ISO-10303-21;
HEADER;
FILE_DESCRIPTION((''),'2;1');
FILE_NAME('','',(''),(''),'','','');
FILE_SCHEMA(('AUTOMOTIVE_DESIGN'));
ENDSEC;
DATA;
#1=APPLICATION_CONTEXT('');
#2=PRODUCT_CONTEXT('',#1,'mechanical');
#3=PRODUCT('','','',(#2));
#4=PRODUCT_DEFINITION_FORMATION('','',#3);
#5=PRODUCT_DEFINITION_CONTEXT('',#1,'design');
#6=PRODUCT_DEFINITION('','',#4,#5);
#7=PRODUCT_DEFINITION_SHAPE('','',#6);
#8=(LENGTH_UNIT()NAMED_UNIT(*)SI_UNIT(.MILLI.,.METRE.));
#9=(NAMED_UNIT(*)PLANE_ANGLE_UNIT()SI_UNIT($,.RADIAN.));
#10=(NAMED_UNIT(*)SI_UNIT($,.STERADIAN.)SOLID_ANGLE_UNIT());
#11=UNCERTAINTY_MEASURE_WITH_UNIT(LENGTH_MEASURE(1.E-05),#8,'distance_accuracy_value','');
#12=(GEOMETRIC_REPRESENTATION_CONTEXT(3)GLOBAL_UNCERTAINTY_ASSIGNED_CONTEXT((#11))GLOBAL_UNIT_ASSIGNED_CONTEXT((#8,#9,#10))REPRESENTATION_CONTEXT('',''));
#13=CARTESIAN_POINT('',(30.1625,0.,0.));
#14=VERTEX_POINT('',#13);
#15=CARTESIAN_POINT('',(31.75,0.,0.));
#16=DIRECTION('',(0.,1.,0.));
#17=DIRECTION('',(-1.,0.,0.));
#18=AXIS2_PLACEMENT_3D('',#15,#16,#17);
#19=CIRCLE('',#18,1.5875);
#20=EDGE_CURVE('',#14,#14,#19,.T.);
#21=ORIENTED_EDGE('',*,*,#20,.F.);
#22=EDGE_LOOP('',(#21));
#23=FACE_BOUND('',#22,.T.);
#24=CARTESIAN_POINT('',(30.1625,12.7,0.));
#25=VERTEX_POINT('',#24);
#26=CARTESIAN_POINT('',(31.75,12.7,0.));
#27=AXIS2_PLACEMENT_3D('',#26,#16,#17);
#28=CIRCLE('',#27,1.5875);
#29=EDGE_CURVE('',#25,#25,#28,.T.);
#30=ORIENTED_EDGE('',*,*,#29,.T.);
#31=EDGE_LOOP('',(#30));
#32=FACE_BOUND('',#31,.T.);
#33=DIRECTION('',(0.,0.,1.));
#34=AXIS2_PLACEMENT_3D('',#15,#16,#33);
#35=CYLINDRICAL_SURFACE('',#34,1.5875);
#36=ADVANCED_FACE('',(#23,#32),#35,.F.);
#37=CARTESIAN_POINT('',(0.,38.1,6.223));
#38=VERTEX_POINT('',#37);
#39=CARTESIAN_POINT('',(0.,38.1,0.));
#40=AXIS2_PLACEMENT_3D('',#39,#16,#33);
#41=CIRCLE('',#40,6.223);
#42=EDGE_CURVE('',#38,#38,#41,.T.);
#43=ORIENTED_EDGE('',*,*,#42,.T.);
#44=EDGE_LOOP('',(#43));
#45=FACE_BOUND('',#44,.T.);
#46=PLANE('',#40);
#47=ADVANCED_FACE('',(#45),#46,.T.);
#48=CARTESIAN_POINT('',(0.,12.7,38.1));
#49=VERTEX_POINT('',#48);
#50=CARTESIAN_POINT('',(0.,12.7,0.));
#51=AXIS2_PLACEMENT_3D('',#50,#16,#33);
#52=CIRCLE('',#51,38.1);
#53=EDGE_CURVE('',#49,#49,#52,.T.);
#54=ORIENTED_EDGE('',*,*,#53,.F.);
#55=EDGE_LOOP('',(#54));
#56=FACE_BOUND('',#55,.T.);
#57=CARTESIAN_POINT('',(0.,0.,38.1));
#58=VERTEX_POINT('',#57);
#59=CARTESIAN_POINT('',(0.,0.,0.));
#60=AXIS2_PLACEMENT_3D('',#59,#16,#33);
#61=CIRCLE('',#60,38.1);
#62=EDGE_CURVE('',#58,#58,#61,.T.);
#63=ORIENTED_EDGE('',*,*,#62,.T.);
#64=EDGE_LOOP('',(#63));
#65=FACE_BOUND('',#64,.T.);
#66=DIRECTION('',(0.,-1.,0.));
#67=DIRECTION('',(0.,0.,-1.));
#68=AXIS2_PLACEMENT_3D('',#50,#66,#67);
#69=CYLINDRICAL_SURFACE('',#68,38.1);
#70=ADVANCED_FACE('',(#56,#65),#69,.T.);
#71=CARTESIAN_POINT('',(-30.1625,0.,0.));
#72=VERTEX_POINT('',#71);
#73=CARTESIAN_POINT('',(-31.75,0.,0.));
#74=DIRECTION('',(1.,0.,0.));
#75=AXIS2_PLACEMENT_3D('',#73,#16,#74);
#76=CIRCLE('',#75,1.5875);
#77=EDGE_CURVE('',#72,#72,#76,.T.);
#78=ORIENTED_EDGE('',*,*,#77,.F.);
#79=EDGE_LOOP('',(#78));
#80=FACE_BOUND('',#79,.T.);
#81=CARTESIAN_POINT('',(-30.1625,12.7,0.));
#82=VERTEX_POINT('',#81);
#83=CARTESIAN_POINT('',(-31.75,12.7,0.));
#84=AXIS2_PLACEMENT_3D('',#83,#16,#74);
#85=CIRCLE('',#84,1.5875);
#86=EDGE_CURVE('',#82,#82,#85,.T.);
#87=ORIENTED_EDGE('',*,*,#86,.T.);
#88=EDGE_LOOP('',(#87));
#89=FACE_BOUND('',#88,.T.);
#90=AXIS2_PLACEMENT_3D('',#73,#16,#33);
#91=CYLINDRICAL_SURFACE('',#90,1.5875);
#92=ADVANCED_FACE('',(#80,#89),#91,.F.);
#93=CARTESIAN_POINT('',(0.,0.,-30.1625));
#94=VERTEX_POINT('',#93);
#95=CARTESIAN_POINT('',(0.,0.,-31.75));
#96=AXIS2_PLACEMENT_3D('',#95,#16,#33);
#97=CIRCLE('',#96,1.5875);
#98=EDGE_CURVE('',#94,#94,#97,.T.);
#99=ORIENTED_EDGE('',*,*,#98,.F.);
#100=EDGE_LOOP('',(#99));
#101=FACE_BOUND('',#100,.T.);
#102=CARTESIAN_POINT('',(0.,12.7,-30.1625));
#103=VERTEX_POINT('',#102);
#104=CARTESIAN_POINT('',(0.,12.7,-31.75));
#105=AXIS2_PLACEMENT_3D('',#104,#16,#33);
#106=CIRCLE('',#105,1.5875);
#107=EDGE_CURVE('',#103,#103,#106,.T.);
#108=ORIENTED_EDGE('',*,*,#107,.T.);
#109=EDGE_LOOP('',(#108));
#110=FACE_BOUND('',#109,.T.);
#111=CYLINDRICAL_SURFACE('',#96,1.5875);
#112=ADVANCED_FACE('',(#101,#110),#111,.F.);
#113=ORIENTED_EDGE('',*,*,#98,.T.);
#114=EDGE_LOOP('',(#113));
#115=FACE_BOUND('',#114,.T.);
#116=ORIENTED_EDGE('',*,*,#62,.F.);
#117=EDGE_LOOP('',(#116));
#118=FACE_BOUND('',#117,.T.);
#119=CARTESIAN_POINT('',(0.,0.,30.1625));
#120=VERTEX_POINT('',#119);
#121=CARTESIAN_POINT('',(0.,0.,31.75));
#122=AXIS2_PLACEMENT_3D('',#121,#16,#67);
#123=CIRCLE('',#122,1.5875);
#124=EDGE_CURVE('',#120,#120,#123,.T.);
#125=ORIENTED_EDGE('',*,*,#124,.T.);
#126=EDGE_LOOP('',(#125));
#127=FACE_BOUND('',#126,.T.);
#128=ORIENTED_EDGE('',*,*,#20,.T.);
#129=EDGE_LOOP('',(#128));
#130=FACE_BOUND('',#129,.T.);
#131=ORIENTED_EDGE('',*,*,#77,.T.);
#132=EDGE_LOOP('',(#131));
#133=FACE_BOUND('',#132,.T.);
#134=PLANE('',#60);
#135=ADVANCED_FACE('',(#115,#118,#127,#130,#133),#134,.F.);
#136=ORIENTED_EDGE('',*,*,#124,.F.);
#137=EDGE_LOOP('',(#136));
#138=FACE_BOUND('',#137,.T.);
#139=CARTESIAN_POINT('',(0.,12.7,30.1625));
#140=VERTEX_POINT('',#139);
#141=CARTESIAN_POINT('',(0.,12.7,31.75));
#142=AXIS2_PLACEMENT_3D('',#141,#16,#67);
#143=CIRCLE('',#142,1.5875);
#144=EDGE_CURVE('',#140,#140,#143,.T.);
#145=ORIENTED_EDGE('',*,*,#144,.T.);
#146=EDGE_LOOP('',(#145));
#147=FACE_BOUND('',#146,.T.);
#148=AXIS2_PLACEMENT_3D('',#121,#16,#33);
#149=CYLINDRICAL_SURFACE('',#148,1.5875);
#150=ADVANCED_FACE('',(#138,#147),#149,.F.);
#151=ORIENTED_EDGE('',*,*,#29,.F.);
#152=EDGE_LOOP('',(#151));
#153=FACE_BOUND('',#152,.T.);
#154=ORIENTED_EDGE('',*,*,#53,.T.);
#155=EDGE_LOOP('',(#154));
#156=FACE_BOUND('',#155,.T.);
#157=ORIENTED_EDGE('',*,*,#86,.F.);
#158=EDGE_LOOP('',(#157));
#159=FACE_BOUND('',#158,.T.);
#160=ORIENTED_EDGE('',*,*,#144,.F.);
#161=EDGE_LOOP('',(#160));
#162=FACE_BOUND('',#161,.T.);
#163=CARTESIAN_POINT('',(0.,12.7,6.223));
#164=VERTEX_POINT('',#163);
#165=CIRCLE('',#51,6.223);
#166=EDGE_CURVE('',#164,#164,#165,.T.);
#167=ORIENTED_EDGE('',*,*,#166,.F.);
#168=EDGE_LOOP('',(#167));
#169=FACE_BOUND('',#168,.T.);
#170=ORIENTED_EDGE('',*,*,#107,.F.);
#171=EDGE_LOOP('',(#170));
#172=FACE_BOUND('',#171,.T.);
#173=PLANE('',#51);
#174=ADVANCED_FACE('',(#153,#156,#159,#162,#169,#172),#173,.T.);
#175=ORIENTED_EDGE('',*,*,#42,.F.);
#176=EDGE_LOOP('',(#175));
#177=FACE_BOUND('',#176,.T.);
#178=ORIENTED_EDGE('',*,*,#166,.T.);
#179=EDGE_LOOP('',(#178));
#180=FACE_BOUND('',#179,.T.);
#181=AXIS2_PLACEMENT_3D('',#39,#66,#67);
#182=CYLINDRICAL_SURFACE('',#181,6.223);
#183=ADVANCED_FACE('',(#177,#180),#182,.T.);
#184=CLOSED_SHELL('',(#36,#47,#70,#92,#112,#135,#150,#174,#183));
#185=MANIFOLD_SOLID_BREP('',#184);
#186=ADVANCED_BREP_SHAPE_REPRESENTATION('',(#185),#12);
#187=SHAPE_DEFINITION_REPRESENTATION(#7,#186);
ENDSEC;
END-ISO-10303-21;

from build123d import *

# Parameters (mm, degrees)
SKETCH1_R           = 38.1
BOSS_EXTRUDE1_DEPTH = 12.7
SKETCH2_R           = 6.223
BOSS_EXTRUDE2_DEPTH = 25.4
SKETCH3_R           = 1.5875
CUT_EXTRUDE1_DEPTH  = 60.56828015
CIRPATTERN1_COUNT   = 4


with BuildPart() as part:
    # Sketch1 → Boss-Extrude1 (new body)
    with BuildSketch(Plane(origin=(0, 0, 0), x_dir=(1, 0, 0), z_dir=(0, 1, 0))):
        with Locations(Location((0, 0, 0), (0, 0, 270))):
            Circle(SKETCH1_R)
    extrude(amount=BOSS_EXTRUDE1_DEPTH)

    # Sketch2 → Boss-Extrude2 (add)
    with BuildSketch(Plane(origin=(0, 12.7, 0), x_dir=(1, 0, 0), z_dir=(0, 1, 0))):
        with Locations(Location((0, 0, 0), (0, 0, 270))):
            Circle(SKETCH2_R)
    extrude(amount=BOSS_EXTRUDE2_DEPTH)

    # Sketch3 → Cut-Extrude1 (cut, through all)
    with BuildSketch(Plane(origin=(0, 12.7, 0), x_dir=(1, 0, 0), z_dir=(0, 1, 0))):
        with Locations(Location((0, 31.75, 0), (0, 0, 270))):
            Circle(SKETCH3_R)
    cut_extrude1 = extrude(amount=-CUT_EXTRUDE1_DEPTH, mode=Mode.SUBTRACT)

    # CirPattern1: Cut-Extrude1 ×4 about axis
    cirpattern1_axis = Axis((0, 0, 0), (0, 1, 0))
    for i in range(1, CIRPATTERN1_COUNT):
        add(cut_extrude1.rotate(cirpattern1_axis, i * 360 / CIRPATTERN1_COUNT), mode=Mode.SUBTRACT)


solid = part.part
